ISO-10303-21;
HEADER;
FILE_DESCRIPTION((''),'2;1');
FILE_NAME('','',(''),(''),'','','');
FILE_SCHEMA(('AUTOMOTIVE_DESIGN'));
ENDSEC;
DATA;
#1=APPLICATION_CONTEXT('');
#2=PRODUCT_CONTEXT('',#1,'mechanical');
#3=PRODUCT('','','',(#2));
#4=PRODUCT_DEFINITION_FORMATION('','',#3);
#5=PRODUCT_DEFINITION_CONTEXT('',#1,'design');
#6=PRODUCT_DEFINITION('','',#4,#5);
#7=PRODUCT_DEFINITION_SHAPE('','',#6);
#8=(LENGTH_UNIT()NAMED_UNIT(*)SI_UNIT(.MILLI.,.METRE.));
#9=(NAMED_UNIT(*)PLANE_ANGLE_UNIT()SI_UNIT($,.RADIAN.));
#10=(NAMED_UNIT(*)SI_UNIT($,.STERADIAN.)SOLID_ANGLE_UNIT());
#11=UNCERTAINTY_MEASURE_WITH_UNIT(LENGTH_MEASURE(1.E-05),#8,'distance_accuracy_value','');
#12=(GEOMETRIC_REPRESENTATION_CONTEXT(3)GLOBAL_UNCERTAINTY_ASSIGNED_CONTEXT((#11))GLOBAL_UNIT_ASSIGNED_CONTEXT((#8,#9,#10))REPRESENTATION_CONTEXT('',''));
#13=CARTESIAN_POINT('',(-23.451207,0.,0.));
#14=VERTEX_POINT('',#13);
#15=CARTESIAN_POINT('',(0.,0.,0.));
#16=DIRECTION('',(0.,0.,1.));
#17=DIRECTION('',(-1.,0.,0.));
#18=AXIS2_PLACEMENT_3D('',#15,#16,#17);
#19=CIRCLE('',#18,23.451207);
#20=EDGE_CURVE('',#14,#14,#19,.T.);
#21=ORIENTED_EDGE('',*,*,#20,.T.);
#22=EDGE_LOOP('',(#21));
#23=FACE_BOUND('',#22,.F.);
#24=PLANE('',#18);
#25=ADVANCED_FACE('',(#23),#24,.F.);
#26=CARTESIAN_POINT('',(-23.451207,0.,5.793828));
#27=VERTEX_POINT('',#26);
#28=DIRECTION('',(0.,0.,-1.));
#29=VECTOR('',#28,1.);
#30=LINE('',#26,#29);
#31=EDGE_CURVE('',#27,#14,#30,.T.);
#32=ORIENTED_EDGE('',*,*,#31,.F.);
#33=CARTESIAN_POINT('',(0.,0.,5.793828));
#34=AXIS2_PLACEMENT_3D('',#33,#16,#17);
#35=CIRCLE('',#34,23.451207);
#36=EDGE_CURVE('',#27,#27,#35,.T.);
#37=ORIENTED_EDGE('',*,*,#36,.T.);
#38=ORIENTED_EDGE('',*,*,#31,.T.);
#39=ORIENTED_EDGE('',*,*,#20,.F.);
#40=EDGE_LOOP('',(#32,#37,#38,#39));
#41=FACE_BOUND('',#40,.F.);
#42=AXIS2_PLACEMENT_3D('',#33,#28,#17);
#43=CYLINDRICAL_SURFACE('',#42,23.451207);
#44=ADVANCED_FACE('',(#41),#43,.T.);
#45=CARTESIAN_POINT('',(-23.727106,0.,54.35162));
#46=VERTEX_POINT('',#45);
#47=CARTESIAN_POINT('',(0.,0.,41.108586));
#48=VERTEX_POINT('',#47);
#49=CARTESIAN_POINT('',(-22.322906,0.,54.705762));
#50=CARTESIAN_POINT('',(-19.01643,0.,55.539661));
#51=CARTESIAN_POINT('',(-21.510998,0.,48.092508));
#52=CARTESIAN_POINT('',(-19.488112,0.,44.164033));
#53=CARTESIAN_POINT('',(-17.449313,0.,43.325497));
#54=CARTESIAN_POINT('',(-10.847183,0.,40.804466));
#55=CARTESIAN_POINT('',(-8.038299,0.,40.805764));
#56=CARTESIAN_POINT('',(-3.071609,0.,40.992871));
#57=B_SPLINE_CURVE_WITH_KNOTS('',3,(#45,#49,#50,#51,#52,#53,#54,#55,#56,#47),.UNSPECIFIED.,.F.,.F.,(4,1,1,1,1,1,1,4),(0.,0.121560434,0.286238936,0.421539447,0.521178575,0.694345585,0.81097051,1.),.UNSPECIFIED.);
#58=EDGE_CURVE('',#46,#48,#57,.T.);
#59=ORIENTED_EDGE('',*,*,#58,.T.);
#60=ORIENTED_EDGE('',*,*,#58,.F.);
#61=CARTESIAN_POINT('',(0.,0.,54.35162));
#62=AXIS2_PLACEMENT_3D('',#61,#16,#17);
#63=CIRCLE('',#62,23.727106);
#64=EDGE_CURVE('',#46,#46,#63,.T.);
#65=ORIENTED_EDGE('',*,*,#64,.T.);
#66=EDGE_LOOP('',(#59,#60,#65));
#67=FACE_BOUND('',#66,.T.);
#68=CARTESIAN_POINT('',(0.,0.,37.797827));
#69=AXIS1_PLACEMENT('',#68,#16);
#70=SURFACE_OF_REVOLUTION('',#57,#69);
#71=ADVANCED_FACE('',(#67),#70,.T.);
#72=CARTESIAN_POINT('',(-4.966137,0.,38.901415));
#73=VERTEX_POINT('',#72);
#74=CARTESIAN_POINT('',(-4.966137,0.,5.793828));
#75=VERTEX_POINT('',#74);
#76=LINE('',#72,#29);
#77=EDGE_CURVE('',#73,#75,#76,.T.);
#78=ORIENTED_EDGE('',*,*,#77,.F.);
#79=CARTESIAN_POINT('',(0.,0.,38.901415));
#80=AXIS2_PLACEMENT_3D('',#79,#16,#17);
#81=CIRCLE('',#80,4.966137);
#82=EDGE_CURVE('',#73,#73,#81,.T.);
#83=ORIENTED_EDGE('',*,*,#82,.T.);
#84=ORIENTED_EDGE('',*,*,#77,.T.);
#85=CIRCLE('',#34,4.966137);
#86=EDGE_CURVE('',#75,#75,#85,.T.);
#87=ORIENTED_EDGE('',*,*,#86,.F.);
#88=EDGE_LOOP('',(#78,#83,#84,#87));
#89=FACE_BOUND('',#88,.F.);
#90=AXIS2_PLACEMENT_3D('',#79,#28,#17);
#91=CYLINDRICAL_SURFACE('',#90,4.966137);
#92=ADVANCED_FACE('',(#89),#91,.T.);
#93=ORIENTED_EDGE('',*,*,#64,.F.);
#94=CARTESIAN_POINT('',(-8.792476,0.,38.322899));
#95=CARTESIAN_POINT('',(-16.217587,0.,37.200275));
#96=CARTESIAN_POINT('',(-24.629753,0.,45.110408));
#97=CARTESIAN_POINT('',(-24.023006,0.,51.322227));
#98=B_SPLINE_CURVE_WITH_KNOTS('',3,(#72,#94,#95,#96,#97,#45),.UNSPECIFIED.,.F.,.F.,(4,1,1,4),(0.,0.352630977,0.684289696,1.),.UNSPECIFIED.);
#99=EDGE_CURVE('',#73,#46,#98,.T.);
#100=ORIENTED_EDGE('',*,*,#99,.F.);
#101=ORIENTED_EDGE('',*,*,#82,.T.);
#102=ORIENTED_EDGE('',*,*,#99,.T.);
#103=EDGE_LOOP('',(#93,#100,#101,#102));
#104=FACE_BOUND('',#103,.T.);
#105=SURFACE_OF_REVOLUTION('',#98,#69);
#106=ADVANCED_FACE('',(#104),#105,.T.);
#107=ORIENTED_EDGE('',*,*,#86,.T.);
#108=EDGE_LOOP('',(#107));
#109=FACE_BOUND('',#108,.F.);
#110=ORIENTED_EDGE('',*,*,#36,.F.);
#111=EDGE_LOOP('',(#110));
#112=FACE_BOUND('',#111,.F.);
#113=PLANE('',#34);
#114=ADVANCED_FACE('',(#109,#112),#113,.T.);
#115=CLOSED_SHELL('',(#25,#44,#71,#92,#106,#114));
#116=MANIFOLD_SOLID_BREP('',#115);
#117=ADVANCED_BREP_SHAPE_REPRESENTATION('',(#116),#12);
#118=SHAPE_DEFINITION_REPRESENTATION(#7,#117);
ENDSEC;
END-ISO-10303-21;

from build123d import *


with BuildPart() as f1:
    # F0 (on Front) → F1 (revolve)
    with BuildSketch(Plane.XZ):
        with BuildLine():
            Line((-23.4512072057, 0), (0, 0))
            Line((0, 0), (0, 41.1085858941))
            add(Edge.make_bspline(
                [(-23.7271059304, 54.3516203761), (-22.3229060388, 54.705761953), (-19.0164298216, 55.539660822), (-21.5109980771, 48.0925077279), (-19.4881118551, 44.1640328958), (-17.4493125776, 43.3254965724), (-10.8471831951, 40.8044662165), (-8.0382988722, 40.8057636115), (-3.0716090002, 40.9928709072), (0, 41.1085858941)],
                knots=[0, 0, 0, 0, 0.1215604336, 0.2862389357, 0.4215394467, 0.5211785753, 0.6943455848, 0.8109705102, 1, 1, 1, 1], degree=3))
            add(Edge.make_bspline(
                [(-4.9661365338, 38.9014147222), (-8.7924755584, 38.322899215), (-16.2175871832, 37.2002746408), (-24.6297528199, 45.1104084508), (-24.023005672, 51.322227319), (-23.7271059304, 54.3516203761)],
                knots=[0, 0, 0, 0, 0.3526309772, 0.684289696, 1, 1, 1, 1], degree=3))
            Line((-4.9661365338, 38.9014147222), (-4.9661365338, 5.7938275859))
            Line((-4.9661365338, 5.7938275859), (-23.4512072057, 5.7938275859))
            Line((-23.4512072057, 5.7938275859), (-23.4512072057, 0))
        make_face()
    revolve(axis=Axis((0, 0, 37.7978272736), (0, 0, 1)))


solid = f1.part
